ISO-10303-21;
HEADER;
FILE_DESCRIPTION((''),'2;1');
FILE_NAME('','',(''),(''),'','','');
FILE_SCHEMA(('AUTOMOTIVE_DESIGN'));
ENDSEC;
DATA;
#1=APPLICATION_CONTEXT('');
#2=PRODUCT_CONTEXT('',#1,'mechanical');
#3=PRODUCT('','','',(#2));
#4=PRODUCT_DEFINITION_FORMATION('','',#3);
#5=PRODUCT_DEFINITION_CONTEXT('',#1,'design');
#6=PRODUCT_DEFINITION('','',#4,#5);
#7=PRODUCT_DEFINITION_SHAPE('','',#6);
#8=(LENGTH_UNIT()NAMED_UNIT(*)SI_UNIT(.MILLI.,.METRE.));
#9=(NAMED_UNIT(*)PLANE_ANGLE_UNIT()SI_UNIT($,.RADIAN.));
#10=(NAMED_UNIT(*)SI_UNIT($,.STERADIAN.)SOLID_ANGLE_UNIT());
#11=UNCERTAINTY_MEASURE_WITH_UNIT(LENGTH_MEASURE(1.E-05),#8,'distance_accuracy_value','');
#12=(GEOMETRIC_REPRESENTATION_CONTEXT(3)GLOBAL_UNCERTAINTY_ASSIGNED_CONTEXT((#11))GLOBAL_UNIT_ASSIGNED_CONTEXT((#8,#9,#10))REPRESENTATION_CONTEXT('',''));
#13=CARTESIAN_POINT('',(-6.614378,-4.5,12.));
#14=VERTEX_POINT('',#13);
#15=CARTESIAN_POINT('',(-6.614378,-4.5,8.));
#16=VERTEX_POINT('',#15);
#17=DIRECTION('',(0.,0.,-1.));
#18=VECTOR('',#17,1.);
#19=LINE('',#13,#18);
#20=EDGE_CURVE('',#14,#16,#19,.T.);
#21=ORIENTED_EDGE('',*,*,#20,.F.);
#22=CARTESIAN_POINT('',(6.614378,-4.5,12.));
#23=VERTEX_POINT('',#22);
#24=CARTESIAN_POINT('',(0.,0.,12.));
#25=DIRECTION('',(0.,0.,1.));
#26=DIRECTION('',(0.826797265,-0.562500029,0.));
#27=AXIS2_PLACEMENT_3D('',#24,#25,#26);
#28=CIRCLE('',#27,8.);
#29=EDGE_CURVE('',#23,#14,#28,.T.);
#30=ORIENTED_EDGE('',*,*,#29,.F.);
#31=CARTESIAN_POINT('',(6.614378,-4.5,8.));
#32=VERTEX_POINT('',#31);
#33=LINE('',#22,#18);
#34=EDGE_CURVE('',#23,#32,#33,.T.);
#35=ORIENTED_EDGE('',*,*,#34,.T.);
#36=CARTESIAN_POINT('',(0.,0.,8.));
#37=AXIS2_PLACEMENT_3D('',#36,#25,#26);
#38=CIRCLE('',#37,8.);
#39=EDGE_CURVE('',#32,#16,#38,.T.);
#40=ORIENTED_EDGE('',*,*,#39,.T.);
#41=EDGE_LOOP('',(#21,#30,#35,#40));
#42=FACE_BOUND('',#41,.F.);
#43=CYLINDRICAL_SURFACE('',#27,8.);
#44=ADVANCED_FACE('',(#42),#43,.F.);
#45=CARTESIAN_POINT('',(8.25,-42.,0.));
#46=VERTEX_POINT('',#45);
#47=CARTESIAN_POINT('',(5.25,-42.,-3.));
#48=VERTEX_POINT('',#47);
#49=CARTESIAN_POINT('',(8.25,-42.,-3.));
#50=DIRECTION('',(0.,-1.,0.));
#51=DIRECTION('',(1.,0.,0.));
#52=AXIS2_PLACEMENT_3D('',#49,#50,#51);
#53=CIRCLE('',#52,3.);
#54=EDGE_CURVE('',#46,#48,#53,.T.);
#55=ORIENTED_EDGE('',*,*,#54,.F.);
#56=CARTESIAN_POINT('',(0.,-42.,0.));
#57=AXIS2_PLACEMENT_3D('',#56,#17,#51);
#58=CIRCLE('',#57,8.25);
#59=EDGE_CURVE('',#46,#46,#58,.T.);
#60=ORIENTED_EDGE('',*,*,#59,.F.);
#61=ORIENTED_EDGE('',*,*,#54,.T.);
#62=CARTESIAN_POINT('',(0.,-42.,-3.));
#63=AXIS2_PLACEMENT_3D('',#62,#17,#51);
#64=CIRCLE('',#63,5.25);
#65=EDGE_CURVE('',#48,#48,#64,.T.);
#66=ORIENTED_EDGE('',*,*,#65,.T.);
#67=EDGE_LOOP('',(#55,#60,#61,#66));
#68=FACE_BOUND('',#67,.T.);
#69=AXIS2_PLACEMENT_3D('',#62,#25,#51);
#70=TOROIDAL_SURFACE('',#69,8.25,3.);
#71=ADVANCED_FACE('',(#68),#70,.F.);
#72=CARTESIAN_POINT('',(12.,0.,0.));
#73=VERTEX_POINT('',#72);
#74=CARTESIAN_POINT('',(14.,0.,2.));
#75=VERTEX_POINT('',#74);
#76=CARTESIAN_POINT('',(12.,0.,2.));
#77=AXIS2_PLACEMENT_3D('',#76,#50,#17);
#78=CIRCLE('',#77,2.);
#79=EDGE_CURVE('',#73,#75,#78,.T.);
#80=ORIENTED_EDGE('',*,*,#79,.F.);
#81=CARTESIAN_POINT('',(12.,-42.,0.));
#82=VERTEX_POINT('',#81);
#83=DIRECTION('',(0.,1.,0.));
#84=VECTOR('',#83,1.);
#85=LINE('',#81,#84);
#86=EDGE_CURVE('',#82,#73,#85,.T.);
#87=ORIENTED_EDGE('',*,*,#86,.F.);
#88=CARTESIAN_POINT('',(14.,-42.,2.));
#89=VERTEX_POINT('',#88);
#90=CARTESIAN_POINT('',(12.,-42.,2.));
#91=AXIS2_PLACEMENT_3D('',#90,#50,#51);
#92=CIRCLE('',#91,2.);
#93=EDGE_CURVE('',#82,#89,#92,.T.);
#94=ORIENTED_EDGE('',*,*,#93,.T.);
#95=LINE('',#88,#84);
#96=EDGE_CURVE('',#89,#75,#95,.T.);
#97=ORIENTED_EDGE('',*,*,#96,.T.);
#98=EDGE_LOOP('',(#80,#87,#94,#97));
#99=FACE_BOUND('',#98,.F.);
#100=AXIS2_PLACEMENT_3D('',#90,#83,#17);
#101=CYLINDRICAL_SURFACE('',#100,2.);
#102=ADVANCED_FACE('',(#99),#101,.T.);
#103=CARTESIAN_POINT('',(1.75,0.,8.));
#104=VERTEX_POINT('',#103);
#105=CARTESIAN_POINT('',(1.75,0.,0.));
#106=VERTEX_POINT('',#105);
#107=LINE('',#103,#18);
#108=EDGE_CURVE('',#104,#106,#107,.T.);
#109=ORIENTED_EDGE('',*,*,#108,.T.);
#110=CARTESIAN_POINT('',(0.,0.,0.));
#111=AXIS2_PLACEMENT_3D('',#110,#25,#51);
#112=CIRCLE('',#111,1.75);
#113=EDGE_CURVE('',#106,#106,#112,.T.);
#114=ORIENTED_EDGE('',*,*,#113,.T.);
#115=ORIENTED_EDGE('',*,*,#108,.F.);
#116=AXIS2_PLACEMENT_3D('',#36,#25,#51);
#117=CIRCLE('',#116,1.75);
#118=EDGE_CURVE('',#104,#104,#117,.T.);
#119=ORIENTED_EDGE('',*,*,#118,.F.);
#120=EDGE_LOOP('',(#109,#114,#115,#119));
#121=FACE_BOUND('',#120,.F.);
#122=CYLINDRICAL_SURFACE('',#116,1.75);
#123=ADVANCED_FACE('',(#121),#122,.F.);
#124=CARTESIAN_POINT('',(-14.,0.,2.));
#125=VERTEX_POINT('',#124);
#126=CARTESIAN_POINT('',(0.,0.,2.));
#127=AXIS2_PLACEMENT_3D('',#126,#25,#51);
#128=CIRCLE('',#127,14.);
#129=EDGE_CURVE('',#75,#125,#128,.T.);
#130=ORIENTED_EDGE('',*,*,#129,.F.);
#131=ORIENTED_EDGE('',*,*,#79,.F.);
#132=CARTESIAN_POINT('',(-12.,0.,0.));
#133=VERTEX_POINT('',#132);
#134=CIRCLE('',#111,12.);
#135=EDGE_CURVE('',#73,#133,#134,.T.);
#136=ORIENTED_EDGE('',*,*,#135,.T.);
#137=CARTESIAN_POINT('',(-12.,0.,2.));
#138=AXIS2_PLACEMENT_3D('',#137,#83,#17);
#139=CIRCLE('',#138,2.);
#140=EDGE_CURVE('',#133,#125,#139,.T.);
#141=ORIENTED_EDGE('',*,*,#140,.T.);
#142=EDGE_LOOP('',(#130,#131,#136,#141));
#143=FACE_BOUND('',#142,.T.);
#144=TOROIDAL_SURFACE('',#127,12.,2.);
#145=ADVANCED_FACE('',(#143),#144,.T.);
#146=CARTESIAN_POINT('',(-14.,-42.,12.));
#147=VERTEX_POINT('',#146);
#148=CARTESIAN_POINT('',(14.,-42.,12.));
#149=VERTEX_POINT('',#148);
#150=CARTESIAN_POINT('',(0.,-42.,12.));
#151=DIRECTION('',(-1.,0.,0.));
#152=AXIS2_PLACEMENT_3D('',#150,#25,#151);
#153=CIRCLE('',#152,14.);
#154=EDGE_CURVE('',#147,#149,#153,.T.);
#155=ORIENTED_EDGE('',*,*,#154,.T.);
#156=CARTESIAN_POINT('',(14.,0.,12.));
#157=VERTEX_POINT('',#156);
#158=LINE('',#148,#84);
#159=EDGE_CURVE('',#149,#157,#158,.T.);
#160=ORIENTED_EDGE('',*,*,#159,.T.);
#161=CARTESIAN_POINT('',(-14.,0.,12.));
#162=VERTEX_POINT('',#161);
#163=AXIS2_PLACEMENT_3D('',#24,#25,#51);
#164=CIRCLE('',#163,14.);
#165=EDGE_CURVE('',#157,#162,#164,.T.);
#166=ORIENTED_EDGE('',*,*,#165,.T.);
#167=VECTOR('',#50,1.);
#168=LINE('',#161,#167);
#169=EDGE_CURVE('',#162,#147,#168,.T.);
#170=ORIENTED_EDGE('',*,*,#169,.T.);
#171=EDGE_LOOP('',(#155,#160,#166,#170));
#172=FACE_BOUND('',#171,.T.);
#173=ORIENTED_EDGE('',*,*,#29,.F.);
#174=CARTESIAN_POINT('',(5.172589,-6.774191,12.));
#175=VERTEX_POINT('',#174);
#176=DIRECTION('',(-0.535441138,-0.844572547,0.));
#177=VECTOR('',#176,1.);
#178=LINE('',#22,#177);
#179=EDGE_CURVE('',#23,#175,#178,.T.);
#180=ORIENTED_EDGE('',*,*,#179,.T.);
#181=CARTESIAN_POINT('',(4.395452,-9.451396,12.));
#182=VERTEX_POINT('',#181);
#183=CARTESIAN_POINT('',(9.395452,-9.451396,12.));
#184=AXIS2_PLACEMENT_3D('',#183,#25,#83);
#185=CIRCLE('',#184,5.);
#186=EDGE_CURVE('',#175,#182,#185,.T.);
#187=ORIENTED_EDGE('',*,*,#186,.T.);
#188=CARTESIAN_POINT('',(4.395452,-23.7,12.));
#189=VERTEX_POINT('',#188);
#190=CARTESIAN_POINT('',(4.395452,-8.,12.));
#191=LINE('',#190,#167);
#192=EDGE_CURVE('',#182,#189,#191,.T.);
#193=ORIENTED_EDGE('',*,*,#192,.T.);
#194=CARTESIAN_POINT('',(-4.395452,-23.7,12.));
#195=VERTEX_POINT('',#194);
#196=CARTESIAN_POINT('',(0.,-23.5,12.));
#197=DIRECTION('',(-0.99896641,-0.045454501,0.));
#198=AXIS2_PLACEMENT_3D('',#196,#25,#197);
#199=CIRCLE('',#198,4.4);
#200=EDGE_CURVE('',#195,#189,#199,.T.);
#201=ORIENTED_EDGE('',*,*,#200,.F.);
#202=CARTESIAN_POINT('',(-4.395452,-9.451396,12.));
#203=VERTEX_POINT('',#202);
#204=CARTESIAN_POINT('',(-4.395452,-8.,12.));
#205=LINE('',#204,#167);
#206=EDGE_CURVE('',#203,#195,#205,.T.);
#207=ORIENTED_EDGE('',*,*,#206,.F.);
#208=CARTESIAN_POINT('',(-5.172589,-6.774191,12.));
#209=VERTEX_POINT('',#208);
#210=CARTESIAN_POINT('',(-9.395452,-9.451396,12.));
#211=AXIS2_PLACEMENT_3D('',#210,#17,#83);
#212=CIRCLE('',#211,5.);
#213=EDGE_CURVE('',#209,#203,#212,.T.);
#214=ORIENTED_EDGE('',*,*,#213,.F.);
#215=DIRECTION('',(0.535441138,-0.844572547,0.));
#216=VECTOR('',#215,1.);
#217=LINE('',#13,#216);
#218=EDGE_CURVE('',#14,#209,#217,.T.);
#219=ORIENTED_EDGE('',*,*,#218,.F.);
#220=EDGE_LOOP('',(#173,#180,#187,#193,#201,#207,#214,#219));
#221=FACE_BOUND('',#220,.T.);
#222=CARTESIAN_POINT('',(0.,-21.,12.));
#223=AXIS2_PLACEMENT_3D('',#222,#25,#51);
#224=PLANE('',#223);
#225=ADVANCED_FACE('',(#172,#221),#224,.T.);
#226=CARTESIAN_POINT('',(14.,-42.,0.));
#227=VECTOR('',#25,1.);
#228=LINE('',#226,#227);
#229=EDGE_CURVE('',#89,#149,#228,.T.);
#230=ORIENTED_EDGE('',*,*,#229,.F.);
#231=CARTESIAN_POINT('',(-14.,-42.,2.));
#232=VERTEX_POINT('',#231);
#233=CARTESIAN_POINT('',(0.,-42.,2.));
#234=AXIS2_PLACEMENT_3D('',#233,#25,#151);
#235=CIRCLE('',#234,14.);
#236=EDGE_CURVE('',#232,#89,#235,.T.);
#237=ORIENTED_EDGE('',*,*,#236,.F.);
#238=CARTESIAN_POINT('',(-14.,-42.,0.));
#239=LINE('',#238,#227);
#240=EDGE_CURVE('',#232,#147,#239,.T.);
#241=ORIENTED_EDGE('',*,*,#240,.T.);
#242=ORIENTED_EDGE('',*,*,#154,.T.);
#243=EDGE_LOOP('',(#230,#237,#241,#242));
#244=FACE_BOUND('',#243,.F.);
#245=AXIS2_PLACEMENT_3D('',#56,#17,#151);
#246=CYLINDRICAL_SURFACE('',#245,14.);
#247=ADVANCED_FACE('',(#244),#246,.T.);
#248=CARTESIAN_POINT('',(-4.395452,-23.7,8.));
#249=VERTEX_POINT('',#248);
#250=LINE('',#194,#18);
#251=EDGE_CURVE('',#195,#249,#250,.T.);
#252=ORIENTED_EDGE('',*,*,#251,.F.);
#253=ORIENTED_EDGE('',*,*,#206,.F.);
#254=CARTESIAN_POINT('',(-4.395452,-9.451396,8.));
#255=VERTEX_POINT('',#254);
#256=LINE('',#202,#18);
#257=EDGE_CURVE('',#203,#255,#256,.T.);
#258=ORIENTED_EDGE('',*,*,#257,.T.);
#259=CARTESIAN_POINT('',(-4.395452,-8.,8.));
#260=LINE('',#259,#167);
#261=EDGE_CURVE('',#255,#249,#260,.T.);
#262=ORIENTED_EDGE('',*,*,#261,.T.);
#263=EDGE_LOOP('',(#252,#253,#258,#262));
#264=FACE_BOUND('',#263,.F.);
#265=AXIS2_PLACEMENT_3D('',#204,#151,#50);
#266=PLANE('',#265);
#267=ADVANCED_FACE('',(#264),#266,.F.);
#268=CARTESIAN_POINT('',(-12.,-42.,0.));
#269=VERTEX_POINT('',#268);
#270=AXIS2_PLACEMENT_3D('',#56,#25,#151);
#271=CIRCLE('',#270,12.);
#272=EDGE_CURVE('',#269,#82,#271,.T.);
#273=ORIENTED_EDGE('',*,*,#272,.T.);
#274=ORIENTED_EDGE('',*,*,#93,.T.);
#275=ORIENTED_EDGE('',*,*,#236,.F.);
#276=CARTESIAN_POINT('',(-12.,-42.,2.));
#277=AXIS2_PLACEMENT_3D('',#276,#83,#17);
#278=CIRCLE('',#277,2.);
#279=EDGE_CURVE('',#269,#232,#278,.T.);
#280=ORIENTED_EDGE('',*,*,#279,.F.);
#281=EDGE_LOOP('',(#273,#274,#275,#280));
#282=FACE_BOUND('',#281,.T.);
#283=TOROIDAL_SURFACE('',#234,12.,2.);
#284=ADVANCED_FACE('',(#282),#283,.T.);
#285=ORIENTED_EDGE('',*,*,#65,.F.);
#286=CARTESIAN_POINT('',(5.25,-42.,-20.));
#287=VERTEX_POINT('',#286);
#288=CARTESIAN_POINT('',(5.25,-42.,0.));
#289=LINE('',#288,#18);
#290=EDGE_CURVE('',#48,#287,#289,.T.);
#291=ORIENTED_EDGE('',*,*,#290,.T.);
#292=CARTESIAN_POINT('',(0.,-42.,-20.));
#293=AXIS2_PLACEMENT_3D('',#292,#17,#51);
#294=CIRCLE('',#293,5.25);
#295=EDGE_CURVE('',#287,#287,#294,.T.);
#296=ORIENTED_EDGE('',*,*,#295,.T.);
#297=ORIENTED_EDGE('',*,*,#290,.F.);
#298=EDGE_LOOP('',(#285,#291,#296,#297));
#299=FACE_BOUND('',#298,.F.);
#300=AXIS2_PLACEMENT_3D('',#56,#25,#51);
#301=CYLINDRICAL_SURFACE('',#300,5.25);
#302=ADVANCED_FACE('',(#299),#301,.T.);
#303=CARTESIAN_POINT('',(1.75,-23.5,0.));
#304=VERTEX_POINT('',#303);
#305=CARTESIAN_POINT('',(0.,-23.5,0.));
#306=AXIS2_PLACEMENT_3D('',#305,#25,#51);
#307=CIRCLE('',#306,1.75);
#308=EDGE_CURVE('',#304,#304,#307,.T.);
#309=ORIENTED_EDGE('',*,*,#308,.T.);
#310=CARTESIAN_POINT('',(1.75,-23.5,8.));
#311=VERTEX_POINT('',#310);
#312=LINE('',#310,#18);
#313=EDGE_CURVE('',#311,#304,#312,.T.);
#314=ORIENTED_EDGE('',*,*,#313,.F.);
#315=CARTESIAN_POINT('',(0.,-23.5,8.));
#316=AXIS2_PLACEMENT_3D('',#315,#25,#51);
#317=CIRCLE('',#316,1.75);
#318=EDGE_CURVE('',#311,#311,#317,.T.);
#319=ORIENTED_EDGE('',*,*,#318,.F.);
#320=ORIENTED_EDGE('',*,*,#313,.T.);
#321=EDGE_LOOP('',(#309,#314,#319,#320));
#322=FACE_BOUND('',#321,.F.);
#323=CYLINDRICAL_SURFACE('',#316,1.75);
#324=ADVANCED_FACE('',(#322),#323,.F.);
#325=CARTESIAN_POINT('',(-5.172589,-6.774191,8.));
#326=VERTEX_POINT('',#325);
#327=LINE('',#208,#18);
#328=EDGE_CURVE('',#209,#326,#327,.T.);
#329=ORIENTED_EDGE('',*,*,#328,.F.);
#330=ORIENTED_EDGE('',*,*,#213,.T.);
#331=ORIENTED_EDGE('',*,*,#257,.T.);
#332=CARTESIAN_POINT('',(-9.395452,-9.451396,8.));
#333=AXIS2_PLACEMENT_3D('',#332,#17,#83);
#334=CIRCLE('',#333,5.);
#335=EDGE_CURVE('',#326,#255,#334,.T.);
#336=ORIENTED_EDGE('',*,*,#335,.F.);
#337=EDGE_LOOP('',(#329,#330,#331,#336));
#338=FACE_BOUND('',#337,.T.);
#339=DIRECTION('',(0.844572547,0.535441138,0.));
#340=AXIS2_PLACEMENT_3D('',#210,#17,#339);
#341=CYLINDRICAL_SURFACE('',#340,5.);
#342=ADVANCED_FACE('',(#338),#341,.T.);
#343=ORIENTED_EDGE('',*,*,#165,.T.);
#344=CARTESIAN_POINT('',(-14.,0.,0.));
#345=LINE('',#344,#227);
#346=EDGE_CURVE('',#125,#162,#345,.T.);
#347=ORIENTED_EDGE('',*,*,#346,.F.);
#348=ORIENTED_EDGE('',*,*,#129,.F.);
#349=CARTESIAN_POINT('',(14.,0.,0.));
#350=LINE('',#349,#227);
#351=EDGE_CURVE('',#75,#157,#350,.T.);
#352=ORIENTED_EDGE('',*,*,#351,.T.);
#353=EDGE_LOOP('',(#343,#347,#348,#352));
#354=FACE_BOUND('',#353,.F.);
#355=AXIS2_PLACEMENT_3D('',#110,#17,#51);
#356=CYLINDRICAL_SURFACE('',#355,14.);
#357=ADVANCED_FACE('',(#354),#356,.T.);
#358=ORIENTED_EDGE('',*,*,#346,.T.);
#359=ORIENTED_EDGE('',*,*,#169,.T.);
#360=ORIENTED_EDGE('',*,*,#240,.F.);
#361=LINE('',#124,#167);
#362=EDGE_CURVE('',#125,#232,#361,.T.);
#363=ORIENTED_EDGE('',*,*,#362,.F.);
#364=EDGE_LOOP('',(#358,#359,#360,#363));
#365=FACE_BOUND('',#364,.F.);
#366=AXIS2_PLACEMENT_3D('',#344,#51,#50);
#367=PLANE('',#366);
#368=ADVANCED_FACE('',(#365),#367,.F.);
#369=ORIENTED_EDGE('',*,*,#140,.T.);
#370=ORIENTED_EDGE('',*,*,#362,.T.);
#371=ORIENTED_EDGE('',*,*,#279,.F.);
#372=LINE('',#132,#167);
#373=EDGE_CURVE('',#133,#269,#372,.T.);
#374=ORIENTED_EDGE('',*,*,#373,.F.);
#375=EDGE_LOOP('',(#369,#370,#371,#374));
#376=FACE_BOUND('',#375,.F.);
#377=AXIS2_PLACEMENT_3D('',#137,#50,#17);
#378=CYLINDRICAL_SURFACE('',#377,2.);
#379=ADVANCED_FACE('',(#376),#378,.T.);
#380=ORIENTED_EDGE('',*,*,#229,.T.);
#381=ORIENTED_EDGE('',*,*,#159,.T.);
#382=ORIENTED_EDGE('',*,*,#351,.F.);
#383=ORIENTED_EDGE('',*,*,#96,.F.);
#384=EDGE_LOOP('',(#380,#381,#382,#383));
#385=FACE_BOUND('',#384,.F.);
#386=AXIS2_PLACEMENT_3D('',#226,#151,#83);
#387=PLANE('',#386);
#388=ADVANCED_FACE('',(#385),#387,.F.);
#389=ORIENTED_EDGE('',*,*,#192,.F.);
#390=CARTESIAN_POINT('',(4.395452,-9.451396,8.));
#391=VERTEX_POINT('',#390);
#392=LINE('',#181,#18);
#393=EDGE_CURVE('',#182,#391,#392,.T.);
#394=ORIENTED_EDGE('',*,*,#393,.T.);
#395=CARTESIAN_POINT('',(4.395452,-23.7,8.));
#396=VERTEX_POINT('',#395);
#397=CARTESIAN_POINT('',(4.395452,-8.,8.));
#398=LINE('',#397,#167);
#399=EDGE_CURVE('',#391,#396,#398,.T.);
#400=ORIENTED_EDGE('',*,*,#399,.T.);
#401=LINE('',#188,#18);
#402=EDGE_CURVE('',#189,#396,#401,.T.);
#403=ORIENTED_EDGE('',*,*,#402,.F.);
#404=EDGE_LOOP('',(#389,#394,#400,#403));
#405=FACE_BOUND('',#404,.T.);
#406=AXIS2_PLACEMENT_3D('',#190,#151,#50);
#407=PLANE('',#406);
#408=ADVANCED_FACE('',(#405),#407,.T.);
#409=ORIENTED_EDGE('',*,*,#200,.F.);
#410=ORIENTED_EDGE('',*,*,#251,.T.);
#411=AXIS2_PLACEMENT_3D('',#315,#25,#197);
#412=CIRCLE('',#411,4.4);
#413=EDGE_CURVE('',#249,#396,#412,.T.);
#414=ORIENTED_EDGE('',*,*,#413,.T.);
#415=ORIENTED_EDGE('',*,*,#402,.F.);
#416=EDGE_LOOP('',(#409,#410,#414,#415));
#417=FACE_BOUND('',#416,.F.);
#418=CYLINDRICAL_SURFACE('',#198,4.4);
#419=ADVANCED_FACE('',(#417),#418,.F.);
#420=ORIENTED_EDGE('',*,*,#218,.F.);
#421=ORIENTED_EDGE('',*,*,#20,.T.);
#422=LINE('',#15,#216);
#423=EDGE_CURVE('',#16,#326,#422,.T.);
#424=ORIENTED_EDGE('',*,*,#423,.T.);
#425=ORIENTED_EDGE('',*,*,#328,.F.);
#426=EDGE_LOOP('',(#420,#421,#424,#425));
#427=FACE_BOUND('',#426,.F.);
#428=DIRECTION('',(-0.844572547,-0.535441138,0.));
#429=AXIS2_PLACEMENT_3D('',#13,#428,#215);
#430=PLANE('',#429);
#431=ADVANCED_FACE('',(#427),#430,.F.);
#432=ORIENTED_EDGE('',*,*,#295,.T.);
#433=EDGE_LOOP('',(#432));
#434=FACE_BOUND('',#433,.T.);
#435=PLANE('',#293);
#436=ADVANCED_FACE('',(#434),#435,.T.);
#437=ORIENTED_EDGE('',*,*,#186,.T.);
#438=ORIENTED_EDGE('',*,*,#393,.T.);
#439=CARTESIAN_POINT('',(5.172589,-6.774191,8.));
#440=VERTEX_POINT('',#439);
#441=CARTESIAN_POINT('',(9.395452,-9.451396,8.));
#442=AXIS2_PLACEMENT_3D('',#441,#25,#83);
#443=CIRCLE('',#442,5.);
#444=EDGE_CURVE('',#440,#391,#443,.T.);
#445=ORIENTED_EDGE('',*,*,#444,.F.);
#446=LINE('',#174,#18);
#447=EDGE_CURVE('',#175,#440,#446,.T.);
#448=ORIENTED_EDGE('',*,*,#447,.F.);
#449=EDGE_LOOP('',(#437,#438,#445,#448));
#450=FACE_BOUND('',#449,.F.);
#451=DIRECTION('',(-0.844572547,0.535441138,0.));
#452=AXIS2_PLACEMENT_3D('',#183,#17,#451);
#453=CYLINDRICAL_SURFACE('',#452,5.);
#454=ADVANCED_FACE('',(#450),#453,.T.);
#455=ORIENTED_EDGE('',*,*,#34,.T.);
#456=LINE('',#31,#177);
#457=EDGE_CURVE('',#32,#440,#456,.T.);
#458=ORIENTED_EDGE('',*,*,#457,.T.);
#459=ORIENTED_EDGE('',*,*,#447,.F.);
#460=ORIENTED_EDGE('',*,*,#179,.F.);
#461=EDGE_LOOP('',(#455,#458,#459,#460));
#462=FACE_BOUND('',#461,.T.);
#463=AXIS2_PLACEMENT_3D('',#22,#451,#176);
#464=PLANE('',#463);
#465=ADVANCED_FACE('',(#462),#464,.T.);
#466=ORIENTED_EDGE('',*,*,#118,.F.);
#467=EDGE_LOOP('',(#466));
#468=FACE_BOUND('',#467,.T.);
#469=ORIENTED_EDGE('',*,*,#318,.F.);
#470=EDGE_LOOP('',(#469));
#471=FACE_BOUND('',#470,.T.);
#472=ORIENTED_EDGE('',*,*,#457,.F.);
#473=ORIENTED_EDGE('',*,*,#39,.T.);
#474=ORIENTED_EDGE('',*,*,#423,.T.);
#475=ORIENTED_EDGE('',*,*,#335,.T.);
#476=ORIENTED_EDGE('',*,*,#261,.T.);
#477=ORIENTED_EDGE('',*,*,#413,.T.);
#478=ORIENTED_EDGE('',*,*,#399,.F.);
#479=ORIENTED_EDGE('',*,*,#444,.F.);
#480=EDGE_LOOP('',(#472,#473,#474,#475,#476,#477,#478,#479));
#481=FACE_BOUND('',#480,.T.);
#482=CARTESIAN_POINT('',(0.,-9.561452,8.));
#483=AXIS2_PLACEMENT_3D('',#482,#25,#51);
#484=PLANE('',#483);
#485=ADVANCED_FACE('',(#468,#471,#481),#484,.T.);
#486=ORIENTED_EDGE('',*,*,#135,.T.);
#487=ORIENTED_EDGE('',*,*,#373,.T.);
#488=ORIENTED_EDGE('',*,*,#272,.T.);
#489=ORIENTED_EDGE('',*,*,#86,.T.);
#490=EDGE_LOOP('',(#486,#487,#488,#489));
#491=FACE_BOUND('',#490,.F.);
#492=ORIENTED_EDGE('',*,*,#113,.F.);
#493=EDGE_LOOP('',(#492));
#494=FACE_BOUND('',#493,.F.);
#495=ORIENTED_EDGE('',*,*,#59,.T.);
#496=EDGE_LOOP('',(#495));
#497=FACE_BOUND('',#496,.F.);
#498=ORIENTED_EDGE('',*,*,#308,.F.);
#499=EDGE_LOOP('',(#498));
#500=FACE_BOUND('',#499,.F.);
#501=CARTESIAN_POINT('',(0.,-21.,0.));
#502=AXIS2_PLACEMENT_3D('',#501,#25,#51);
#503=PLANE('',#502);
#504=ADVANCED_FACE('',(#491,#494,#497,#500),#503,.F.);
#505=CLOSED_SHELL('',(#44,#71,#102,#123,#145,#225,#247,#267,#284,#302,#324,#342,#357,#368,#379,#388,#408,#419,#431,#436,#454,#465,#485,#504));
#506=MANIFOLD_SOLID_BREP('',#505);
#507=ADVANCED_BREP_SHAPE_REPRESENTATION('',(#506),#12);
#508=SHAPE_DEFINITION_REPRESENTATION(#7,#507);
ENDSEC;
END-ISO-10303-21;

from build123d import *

# Parameters (mm, degrees)
PAD_DEPTH       = 12
POCKET_DEPTH    = 4
SKETCH002_R     = 5.25
PAD001_DEPTH    = 20
SKETCH003_R     = 1.75
POCKET001_DEPTH = 28.001
FILLET_R        = 3
FILLET001_R     = 2
FILLET002_R     = 5


with BuildPart() as part:
    # Sketch001 → Pad (new body)
    with BuildSketch(Plane.XY):
        with BuildLine():
            ThreePointArc((14, 0), (0, 14), (-14, 0))
            Line((-14, 0), (-14, -42))
            ThreePointArc((-14, -42), (0, -56), (14, -42))
            Line((14, -42), (14, 0))
        make_face()
    extrude(amount=PAD_DEPTH)

    # Sketch (on Face6 of Pad) → Pocket (cut)
    with BuildSketch(Plane.XY.offset(12)):
        with BuildLine():
            ThreePointArc((6.614378, -4.5), (0, 8), (-6.614378, -4.5))
            Line((-6.614378, -4.5), (-4.395452, -8))
            Line((-4.395452, -8), (-4.395452, -23.7))
            ThreePointArc((-4.395452, -23.7), (0, -27.9), (4.395452, -23.7))
            Line((4.395452, -8), (4.395452, -23.7))
            Line((6.614378, -4.5), (4.395452, -8))
        make_face()
    extrude(amount=-POCKET_DEPTH, mode=Mode.SUBTRACT)

    # Sketch002 (on Face4 of Pocket) → Pad001 (join)
    with BuildSketch(Plane(origin=(0, 0, 0), x_dir=(1, 0, 0), z_dir=(0, 0, -1))):
        with Locations((0, 42)):
            Circle(SKETCH002_R)
    extrude(amount=PAD001_DEPTH)

    # Sketch003 (on Face15 of Pad001) → Pocket001 (cut, through all)
    with BuildSketch(Plane.XY.offset(8)):
        Circle(SKETCH003_R)
        with Locations((0, -23.5)):
            Circle(SKETCH003_R)
    extrude(amount=-POCKET001_DEPTH, mode=Mode.SUBTRACT)

    # Fillet
    fillet_edges = [part.edges().sort_by_distance(p)[0] for p in [
        (-5.25, -42, 0),
    ]]
    fillet(fillet_edges, radius=FILLET_R)

    # Fillet001
    fillet001_edges = [part.edges().sort_by_distance(p)[0] for p in [
        (-14, -21, 0),
        (0, 14, 0),
        (14, -21, 0),
        (0, -56, 0),
    ]]
    fillet(fillet001_edges, radius=FILLET001_R)

    # Fillet002
    fillet002_edges = [part.edges().sort_by_distance(p)[0] for p in [
        (-4.395452, -8, 10),
        (4.395452, -8, 10),
    ]]
    fillet(fillet002_edges, radius=FILLET002_R)


solid = part.part
